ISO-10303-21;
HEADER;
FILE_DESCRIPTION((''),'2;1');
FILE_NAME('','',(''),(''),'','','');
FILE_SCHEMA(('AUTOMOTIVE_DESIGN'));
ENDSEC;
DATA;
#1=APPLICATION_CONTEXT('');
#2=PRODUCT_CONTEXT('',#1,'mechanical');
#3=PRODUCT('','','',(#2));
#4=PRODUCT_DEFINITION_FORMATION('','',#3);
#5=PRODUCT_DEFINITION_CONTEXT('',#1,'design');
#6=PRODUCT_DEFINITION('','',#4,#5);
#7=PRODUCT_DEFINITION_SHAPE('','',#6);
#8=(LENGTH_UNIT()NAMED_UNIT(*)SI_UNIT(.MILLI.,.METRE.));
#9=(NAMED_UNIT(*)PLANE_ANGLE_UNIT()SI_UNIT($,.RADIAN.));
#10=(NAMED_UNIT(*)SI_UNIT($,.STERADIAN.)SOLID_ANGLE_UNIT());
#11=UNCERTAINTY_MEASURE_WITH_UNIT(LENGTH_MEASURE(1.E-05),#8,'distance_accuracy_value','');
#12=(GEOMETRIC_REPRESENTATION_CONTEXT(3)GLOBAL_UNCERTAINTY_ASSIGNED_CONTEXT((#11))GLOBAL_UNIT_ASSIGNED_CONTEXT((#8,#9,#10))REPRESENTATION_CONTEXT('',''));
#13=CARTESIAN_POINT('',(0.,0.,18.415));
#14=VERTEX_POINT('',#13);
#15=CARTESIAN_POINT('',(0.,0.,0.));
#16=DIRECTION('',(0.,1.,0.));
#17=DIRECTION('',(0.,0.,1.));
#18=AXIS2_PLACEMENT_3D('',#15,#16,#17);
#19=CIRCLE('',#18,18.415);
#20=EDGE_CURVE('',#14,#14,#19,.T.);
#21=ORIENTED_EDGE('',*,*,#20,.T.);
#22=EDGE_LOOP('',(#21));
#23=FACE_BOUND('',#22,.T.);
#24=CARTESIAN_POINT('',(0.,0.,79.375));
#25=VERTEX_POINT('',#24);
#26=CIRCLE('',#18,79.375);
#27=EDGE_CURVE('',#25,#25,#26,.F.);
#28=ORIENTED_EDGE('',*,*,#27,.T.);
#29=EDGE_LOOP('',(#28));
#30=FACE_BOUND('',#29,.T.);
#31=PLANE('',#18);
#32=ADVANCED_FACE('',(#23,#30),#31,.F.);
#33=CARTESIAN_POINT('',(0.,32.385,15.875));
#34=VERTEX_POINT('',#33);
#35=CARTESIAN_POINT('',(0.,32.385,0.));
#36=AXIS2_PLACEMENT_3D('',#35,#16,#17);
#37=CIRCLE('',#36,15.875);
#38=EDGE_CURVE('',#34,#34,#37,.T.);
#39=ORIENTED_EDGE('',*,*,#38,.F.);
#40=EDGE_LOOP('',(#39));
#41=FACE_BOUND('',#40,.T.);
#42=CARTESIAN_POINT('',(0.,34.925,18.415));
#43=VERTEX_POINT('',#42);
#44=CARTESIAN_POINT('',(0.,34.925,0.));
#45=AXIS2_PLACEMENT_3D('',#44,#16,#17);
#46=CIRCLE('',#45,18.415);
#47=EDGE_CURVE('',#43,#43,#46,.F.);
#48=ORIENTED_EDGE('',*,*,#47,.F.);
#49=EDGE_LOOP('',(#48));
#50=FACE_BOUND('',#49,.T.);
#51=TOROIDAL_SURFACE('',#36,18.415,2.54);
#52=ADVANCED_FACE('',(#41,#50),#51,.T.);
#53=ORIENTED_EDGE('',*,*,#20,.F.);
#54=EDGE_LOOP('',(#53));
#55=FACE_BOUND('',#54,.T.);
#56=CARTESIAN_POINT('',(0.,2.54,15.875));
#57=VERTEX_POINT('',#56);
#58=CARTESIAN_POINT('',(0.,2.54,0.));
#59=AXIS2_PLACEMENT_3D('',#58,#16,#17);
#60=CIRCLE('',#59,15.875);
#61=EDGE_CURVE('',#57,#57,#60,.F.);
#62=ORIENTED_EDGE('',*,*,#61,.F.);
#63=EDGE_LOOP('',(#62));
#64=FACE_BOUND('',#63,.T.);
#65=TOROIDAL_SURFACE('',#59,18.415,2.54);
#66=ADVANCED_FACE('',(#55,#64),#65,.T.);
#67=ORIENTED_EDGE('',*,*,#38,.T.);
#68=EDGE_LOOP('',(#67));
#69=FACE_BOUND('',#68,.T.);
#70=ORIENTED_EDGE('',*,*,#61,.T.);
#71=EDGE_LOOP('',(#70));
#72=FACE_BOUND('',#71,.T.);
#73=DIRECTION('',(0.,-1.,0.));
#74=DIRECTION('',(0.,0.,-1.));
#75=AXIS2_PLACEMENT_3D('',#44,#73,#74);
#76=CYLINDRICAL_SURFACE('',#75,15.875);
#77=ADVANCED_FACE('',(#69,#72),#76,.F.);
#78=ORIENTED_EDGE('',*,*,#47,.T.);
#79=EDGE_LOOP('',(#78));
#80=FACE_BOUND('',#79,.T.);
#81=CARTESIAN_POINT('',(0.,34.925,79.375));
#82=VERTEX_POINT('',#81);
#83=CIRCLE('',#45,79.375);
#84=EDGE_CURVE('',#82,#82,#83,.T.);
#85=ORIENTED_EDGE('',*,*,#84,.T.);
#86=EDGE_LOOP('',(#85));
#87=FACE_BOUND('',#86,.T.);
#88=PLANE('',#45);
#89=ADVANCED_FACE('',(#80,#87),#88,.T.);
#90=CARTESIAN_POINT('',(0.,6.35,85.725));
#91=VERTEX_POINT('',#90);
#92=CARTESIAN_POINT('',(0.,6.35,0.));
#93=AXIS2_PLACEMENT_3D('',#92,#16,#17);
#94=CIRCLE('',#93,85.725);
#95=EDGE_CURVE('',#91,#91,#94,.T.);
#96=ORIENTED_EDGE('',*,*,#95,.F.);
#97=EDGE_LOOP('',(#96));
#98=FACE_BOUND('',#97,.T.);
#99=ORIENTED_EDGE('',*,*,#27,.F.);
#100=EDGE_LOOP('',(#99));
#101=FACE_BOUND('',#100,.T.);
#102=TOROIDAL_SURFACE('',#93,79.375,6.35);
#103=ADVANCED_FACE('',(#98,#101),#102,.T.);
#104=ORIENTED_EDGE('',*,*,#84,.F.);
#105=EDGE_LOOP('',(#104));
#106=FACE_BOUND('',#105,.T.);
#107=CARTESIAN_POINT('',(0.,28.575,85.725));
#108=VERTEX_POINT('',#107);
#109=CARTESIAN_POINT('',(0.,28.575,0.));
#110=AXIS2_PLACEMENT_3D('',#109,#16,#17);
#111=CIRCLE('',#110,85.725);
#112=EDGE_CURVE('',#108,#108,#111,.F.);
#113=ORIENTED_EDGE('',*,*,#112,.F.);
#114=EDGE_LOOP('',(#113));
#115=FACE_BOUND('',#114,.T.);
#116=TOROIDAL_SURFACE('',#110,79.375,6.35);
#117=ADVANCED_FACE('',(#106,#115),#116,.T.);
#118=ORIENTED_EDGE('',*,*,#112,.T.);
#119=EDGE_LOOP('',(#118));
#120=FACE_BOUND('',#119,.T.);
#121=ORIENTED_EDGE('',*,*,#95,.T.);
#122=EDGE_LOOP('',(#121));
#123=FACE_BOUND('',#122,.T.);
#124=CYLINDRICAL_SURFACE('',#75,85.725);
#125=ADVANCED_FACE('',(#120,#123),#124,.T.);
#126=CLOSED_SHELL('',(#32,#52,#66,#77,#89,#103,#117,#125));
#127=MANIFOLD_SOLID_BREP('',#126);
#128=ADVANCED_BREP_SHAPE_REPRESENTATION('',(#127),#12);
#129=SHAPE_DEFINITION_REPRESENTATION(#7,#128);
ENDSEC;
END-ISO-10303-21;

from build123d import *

# Parameters (mm, degrees)
SKETCH1_R           = 85.725
SKETCH1_R_2         = 15.875
BOSS_EXTRUDE1_DEPTH = 34.925
FILLET1_R           = 6.35
FILLET2_R           = 2.54


with BuildPart() as part:
    # Sketch1 → Boss-Extrude1 (new body)
    with BuildSketch(Plane(origin=(0, 0, 0), x_dir=(1, 0, 0), z_dir=(0, 1, 0))):
        Circle(SKETCH1_R)
        Circle(SKETCH1_R_2, mode=Mode.SUBTRACT)
    extrude(amount=BOSS_EXTRUDE1_DEPTH)

    # Fillet1
    fillet1_edges = [part.edges().sort_by_distance(p)[0] for p in [
        (-85.725, 0, 0),
        (-85.725, 34.925, 0),
    ]]
    fillet(fillet1_edges, radius=FILLET1_R)

    # Fillet2
    fillet2_edges = [part.edges().sort_by_distance(p)[0] for p in [
        (-15.875, 0, 0),
        (-15.875, 34.925, 0),
    ]]
    fillet(fillet2_edges, radius=FILLET2_R)


solid = part.part
